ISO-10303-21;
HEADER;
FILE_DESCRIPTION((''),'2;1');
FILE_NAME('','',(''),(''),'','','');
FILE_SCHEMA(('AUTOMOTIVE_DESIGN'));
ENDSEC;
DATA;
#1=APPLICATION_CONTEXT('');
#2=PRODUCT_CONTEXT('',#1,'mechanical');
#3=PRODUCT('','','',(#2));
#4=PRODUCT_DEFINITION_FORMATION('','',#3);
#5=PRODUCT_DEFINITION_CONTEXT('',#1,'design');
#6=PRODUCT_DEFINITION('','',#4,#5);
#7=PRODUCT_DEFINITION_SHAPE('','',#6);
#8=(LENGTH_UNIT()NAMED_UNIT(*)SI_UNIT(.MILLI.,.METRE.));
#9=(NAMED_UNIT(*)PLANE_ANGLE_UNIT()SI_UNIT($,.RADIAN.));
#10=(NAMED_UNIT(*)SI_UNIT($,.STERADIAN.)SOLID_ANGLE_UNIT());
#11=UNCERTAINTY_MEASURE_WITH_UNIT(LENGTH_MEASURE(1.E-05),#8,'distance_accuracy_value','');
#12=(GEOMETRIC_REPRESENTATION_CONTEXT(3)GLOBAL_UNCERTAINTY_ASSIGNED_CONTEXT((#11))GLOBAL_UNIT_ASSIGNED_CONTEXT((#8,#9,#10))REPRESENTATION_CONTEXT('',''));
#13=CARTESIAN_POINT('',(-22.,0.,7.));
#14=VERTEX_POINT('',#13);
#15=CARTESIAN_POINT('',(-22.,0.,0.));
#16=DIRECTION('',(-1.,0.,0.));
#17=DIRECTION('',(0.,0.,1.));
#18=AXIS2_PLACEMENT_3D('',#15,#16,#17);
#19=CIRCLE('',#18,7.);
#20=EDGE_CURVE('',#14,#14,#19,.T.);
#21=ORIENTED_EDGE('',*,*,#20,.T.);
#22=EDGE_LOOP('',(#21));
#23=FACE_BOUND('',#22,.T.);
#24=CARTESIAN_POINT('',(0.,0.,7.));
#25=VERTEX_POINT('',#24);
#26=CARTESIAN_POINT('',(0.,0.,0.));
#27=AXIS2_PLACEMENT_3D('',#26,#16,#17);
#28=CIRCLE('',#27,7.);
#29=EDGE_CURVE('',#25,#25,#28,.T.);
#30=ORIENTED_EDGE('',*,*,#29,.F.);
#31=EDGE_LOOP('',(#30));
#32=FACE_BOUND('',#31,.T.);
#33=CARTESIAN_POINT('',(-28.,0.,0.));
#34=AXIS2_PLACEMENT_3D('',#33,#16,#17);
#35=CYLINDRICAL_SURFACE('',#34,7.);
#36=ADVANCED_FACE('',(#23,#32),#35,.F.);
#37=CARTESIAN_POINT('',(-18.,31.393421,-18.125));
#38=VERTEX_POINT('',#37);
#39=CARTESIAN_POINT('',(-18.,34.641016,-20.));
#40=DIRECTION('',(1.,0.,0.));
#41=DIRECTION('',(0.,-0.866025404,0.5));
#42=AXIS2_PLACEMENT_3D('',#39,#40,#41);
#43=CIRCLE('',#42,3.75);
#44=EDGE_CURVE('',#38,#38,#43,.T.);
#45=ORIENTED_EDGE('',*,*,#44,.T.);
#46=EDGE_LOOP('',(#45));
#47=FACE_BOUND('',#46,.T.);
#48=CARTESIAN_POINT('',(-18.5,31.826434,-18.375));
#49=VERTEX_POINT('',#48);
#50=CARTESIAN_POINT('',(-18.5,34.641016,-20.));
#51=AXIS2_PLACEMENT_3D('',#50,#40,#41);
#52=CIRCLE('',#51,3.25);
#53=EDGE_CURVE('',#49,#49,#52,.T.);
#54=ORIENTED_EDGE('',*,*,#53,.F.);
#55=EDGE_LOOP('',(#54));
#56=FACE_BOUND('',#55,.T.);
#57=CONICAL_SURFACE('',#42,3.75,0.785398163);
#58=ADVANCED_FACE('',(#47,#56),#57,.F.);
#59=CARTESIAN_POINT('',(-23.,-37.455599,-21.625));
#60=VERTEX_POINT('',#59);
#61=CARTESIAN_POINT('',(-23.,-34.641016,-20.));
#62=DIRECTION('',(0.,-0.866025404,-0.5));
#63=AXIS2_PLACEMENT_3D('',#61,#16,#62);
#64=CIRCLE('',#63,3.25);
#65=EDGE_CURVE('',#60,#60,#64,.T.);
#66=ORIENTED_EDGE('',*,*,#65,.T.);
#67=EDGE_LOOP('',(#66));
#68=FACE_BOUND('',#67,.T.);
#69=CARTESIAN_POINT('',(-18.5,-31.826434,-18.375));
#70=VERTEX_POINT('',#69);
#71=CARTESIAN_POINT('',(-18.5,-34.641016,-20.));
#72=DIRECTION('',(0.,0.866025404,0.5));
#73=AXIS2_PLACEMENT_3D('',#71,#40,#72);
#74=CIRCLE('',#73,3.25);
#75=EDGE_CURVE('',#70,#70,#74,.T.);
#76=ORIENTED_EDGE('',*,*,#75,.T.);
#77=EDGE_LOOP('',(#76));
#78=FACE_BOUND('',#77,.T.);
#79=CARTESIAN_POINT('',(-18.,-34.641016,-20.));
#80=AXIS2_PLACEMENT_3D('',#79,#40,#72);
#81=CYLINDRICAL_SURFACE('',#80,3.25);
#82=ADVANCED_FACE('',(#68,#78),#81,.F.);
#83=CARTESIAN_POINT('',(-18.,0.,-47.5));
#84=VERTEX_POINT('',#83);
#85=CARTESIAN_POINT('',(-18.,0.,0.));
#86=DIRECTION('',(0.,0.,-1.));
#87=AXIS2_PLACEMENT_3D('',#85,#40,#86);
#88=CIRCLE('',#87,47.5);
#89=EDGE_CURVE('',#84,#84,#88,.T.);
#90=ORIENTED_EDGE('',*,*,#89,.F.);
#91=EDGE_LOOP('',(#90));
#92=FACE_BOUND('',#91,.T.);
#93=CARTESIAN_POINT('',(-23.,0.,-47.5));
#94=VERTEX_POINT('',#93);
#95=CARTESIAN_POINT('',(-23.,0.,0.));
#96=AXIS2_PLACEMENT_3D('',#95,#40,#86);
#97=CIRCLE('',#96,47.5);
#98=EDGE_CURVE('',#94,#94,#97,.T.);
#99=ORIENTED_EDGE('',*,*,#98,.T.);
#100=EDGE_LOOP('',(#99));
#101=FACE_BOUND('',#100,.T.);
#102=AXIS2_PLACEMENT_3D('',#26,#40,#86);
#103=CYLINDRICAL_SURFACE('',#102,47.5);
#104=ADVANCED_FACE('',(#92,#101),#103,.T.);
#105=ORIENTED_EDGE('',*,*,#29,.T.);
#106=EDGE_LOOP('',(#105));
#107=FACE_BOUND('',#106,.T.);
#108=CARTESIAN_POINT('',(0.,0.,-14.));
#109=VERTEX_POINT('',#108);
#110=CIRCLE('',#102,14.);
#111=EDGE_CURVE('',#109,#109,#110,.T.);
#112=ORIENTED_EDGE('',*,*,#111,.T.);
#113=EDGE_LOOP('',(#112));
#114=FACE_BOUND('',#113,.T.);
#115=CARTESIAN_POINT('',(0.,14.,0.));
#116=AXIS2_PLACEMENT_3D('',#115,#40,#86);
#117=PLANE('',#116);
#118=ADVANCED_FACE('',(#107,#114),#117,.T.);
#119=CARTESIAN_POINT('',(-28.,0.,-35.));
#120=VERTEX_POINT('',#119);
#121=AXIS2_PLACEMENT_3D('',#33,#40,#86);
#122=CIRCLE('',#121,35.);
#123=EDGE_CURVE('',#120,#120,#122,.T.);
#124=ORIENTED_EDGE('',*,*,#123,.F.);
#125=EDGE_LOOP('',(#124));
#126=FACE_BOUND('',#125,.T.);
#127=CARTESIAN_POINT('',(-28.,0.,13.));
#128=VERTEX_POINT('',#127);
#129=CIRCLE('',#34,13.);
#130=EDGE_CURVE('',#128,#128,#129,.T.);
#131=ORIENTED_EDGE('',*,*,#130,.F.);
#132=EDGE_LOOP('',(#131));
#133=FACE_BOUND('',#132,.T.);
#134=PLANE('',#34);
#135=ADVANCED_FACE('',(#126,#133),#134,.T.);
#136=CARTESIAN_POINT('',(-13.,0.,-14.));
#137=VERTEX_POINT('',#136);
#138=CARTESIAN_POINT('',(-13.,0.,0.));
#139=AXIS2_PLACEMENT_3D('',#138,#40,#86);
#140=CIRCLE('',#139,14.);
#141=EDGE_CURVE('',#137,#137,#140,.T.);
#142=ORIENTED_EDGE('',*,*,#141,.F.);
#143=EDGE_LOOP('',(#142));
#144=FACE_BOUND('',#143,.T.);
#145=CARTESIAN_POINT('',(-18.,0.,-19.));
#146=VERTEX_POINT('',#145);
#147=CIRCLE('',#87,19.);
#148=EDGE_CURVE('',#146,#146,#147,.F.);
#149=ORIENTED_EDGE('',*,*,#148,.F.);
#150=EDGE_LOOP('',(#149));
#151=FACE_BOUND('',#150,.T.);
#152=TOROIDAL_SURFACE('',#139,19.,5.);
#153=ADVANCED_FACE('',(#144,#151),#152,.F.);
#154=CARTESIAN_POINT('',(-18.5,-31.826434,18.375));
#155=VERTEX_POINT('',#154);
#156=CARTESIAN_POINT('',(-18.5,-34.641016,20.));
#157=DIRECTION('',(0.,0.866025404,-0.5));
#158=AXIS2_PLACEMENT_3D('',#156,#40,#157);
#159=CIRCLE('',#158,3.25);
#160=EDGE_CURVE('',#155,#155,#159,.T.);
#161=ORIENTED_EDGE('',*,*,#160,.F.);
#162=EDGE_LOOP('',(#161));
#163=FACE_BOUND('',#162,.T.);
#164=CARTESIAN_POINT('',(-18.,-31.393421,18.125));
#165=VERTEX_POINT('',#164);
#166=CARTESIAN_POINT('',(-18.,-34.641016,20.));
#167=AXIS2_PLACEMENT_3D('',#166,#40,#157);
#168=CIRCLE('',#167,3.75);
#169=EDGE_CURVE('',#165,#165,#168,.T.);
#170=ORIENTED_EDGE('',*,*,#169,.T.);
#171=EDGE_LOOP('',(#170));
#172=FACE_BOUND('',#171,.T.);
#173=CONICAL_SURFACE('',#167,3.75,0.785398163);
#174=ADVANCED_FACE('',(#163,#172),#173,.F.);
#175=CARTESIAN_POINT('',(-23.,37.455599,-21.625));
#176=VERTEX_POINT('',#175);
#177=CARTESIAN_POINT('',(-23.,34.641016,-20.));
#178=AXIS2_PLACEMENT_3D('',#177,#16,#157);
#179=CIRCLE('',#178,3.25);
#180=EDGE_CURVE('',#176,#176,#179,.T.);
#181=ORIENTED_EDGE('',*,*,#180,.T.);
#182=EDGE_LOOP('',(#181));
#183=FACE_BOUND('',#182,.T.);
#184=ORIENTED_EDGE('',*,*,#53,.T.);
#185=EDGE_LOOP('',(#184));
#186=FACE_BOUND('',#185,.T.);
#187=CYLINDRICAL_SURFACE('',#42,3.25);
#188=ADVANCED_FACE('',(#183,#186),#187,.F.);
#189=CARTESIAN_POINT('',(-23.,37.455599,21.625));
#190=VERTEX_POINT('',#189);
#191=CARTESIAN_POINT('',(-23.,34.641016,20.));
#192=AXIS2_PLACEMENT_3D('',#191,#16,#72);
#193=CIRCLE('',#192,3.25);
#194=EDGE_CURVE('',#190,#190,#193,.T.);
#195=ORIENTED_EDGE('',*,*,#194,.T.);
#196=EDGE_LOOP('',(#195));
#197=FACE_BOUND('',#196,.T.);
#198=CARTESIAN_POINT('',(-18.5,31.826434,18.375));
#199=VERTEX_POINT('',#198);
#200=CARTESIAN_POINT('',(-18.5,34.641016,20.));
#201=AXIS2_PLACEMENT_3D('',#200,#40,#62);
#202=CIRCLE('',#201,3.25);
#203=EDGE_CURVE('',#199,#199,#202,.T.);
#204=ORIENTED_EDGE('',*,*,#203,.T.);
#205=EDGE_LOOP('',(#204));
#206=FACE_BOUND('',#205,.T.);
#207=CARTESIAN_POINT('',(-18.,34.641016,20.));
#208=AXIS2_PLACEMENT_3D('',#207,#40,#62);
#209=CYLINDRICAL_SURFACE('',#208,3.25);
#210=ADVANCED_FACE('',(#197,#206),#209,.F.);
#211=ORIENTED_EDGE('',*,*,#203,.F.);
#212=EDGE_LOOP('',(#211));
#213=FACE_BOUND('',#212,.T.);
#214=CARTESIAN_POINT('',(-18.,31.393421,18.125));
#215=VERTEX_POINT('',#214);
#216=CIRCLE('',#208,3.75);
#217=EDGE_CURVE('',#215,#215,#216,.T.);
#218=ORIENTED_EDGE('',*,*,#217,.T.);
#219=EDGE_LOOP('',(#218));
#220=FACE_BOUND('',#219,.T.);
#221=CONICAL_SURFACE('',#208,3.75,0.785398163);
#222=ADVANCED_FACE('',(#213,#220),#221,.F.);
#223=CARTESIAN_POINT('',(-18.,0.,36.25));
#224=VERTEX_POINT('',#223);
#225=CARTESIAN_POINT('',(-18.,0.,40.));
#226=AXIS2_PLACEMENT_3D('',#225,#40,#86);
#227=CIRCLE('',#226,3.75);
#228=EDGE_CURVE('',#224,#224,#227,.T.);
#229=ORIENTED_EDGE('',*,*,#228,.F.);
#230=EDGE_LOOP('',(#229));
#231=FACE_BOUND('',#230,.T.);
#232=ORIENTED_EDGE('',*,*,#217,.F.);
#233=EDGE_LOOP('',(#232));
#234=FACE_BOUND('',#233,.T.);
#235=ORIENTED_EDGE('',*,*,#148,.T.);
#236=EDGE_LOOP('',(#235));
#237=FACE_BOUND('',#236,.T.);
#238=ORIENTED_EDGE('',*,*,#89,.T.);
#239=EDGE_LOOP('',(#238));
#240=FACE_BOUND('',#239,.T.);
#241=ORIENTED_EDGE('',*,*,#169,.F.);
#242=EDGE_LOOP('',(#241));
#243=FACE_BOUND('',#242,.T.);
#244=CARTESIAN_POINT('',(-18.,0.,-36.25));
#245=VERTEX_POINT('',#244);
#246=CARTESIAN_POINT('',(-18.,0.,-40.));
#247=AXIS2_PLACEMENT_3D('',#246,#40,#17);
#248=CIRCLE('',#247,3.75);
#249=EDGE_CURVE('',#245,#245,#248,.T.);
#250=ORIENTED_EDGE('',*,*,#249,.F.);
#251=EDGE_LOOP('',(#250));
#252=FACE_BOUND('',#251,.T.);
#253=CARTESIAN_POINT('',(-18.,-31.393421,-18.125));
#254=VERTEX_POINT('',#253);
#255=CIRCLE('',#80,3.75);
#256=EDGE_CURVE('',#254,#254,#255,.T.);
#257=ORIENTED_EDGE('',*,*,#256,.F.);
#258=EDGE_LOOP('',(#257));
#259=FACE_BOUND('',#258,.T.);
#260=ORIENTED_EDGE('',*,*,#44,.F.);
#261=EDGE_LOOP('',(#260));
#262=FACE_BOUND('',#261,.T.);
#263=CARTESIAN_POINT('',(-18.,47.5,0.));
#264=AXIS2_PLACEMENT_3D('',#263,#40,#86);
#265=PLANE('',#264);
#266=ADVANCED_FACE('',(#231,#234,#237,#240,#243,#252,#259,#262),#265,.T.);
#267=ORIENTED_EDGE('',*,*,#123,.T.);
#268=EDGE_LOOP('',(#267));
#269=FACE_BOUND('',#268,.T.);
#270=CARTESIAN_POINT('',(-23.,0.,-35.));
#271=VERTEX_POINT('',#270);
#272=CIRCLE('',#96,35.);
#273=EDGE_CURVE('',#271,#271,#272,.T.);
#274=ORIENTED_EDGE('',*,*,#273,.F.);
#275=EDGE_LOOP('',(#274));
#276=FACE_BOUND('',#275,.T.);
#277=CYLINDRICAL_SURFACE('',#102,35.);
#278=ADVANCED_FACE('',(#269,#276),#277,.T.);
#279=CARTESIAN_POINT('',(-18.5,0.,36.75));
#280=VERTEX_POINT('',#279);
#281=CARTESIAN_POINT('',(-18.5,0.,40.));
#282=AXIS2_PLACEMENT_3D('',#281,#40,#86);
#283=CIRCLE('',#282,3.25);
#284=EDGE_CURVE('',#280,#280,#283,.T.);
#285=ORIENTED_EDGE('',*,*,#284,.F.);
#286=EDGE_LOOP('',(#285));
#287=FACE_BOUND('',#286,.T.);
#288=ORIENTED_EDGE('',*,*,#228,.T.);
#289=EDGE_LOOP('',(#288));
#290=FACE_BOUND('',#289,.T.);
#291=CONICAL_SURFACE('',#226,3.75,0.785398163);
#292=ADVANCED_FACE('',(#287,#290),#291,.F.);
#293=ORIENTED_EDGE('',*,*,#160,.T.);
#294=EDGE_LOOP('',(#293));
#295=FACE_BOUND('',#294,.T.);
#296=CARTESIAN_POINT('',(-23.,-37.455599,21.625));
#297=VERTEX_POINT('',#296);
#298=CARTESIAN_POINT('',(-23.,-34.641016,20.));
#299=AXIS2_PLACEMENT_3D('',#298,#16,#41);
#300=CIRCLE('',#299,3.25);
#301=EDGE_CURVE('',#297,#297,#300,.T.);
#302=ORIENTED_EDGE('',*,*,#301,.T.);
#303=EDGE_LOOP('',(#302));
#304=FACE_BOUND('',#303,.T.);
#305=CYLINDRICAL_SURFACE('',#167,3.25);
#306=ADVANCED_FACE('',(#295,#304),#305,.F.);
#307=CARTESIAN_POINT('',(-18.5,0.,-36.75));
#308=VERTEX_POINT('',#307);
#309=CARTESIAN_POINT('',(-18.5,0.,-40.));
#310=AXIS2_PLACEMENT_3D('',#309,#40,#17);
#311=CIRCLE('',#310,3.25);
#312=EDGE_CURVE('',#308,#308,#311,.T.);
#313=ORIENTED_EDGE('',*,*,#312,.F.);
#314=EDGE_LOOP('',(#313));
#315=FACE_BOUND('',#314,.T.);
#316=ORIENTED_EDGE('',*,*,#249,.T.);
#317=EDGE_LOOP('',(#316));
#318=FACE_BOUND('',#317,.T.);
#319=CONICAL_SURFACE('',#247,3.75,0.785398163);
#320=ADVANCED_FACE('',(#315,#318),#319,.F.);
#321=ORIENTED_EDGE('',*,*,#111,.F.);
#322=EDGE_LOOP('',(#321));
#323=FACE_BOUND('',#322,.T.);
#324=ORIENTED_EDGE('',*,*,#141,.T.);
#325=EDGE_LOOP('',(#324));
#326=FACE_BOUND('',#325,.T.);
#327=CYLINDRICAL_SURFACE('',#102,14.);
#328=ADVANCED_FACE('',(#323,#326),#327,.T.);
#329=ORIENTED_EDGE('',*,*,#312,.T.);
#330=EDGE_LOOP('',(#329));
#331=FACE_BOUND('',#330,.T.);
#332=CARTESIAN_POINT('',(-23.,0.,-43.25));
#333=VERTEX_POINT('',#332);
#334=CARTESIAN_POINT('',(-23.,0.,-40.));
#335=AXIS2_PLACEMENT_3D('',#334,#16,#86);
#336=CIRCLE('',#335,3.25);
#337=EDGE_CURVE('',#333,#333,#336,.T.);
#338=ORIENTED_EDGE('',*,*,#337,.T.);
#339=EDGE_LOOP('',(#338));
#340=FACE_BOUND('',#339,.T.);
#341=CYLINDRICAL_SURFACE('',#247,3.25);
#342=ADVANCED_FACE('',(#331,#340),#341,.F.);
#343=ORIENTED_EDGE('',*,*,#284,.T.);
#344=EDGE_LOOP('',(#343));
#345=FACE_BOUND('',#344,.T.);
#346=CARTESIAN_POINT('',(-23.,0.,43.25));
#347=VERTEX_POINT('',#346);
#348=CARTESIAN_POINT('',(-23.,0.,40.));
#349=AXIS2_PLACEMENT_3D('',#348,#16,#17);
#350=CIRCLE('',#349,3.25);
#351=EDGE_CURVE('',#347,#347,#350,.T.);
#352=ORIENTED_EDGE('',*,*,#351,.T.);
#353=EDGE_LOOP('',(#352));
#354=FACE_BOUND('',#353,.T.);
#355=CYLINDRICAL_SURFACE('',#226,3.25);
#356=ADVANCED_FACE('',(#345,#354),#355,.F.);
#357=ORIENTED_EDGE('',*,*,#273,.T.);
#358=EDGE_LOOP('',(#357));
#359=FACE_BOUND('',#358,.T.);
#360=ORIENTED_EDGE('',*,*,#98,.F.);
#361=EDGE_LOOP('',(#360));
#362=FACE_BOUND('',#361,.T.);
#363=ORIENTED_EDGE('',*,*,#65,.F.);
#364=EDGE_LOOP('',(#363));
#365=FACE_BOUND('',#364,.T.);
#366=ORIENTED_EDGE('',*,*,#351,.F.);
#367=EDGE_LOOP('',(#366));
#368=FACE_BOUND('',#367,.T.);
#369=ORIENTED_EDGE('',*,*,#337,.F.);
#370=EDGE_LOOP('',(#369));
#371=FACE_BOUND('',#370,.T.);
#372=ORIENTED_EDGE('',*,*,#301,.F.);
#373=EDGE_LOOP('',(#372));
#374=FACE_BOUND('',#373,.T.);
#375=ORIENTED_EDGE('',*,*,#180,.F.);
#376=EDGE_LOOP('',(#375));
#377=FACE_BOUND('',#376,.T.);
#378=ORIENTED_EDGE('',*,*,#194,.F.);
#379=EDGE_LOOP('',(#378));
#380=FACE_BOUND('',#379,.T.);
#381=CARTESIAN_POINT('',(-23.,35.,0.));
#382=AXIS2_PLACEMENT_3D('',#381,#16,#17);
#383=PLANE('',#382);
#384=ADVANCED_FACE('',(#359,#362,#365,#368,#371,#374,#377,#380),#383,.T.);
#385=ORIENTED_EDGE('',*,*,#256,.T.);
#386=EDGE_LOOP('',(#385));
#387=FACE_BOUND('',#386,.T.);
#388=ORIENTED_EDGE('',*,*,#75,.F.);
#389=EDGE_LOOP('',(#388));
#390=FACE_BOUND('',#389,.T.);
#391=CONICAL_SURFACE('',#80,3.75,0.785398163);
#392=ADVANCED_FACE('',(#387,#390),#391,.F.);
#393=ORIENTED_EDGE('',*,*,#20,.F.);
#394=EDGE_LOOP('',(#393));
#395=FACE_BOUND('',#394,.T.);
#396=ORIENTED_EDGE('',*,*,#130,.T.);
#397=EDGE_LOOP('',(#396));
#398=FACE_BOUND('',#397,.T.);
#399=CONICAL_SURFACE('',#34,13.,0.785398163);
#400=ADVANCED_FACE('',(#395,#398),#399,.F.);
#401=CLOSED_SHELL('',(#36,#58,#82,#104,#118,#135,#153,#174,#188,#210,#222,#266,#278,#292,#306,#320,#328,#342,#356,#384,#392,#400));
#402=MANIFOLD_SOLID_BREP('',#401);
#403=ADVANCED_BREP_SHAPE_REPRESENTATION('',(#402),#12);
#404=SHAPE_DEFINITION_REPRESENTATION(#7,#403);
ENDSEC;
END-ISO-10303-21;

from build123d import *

# Parameters (mm, degrees)
FILLET1_R                                            = 5
CSK_FOR_M12_HEX_SOCKET_COUNTERSUNK_CAP_S_D           = 14
CSK_FOR_M12_HEX_SOCKET_COUNTERSUNK_CAP_S_CSINK_D     = 26
CSK_FOR_M12_HEX_SOCKET_COUNTERSUNK_CAP_S_CSINK_ANGLE = 90
CSK_FOR_M6_HEX_SOCKET_COUNTERSUNK_CAP_SC_D           = 6.5
CSK_FOR_M6_HEX_SOCKET_COUNTERSUNK_CAP_SC_CSINK_D     = 7.5
CSK_FOR_M6_HEX_SOCKET_COUNTERSUNK_CAP_SC_CSINK_ANGLE = 90
CIRPATTERN1_COUNT                                    = 6


with BuildPart() as part:
    # Sketch1 → Revolve1 (revolve)
    with BuildSketch(Plane.XY):
        Polygon((0, 0), (-28, 0), (-28, 35), (-23, 35), (-23, 47.5), (-18, 47.5), (-18, 14), (0, 14), align=None)
    revolve(axis=Axis((0, 0, 0), (-1, 0, 0)))

    # Fillet1
    fillet1_edges = [part.edges().sort_by_distance(p)[0] for p in [
        (-18, -14, 0),
    ]]
    fillet(fillet1_edges, radius=FILLET1_R)

    # CSK for M12 Hex Socket Countersunk Cap Screw1 (through all)
    with Locations(Plane.ZY.offset(28)):
        with Locations((0, 0)):
            CounterSinkHole(CSK_FOR_M12_HEX_SOCKET_COUNTERSUNK_CAP_S_D / 2, CSK_FOR_M12_HEX_SOCKET_COUNTERSUNK_CAP_S_CSINK_D / 2, counter_sink_angle=CSK_FOR_M12_HEX_SOCKET_COUNTERSUNK_CAP_S_CSINK_ANGLE)

    # CSK for M6 Hex Socket Countersunk Cap Screw1 (through all)
    with Locations(Plane(origin=(-18, 0, 0), x_dir=(0, 0, -1), z_dir=(1, 0, 0))):
        with Locations((-40, 0)):
            csk_for_m6_hex_socket_countersunk_cap_sc = CounterSinkHole(CSK_FOR_M6_HEX_SOCKET_COUNTERSUNK_CAP_SC_D / 2, CSK_FOR_M6_HEX_SOCKET_COUNTERSUNK_CAP_SC_CSINK_D / 2, counter_sink_angle=CSK_FOR_M6_HEX_SOCKET_COUNTERSUNK_CAP_SC_CSINK_ANGLE)

    # CirPattern1: CSK for M6 Hex Socket Countersunk Cap Screw1 ×6 about axis
    cirpattern1_axis = Axis((0, 0, 0), (1, 0, 0))
    for i in range(1, CIRPATTERN1_COUNT):
        add(csk_for_m6_hex_socket_countersunk_cap_sc.rotate(cirpattern1_axis, i * 360 / CIRPATTERN1_COUNT), mode=Mode.SUBTRACT)


solid = part.part
